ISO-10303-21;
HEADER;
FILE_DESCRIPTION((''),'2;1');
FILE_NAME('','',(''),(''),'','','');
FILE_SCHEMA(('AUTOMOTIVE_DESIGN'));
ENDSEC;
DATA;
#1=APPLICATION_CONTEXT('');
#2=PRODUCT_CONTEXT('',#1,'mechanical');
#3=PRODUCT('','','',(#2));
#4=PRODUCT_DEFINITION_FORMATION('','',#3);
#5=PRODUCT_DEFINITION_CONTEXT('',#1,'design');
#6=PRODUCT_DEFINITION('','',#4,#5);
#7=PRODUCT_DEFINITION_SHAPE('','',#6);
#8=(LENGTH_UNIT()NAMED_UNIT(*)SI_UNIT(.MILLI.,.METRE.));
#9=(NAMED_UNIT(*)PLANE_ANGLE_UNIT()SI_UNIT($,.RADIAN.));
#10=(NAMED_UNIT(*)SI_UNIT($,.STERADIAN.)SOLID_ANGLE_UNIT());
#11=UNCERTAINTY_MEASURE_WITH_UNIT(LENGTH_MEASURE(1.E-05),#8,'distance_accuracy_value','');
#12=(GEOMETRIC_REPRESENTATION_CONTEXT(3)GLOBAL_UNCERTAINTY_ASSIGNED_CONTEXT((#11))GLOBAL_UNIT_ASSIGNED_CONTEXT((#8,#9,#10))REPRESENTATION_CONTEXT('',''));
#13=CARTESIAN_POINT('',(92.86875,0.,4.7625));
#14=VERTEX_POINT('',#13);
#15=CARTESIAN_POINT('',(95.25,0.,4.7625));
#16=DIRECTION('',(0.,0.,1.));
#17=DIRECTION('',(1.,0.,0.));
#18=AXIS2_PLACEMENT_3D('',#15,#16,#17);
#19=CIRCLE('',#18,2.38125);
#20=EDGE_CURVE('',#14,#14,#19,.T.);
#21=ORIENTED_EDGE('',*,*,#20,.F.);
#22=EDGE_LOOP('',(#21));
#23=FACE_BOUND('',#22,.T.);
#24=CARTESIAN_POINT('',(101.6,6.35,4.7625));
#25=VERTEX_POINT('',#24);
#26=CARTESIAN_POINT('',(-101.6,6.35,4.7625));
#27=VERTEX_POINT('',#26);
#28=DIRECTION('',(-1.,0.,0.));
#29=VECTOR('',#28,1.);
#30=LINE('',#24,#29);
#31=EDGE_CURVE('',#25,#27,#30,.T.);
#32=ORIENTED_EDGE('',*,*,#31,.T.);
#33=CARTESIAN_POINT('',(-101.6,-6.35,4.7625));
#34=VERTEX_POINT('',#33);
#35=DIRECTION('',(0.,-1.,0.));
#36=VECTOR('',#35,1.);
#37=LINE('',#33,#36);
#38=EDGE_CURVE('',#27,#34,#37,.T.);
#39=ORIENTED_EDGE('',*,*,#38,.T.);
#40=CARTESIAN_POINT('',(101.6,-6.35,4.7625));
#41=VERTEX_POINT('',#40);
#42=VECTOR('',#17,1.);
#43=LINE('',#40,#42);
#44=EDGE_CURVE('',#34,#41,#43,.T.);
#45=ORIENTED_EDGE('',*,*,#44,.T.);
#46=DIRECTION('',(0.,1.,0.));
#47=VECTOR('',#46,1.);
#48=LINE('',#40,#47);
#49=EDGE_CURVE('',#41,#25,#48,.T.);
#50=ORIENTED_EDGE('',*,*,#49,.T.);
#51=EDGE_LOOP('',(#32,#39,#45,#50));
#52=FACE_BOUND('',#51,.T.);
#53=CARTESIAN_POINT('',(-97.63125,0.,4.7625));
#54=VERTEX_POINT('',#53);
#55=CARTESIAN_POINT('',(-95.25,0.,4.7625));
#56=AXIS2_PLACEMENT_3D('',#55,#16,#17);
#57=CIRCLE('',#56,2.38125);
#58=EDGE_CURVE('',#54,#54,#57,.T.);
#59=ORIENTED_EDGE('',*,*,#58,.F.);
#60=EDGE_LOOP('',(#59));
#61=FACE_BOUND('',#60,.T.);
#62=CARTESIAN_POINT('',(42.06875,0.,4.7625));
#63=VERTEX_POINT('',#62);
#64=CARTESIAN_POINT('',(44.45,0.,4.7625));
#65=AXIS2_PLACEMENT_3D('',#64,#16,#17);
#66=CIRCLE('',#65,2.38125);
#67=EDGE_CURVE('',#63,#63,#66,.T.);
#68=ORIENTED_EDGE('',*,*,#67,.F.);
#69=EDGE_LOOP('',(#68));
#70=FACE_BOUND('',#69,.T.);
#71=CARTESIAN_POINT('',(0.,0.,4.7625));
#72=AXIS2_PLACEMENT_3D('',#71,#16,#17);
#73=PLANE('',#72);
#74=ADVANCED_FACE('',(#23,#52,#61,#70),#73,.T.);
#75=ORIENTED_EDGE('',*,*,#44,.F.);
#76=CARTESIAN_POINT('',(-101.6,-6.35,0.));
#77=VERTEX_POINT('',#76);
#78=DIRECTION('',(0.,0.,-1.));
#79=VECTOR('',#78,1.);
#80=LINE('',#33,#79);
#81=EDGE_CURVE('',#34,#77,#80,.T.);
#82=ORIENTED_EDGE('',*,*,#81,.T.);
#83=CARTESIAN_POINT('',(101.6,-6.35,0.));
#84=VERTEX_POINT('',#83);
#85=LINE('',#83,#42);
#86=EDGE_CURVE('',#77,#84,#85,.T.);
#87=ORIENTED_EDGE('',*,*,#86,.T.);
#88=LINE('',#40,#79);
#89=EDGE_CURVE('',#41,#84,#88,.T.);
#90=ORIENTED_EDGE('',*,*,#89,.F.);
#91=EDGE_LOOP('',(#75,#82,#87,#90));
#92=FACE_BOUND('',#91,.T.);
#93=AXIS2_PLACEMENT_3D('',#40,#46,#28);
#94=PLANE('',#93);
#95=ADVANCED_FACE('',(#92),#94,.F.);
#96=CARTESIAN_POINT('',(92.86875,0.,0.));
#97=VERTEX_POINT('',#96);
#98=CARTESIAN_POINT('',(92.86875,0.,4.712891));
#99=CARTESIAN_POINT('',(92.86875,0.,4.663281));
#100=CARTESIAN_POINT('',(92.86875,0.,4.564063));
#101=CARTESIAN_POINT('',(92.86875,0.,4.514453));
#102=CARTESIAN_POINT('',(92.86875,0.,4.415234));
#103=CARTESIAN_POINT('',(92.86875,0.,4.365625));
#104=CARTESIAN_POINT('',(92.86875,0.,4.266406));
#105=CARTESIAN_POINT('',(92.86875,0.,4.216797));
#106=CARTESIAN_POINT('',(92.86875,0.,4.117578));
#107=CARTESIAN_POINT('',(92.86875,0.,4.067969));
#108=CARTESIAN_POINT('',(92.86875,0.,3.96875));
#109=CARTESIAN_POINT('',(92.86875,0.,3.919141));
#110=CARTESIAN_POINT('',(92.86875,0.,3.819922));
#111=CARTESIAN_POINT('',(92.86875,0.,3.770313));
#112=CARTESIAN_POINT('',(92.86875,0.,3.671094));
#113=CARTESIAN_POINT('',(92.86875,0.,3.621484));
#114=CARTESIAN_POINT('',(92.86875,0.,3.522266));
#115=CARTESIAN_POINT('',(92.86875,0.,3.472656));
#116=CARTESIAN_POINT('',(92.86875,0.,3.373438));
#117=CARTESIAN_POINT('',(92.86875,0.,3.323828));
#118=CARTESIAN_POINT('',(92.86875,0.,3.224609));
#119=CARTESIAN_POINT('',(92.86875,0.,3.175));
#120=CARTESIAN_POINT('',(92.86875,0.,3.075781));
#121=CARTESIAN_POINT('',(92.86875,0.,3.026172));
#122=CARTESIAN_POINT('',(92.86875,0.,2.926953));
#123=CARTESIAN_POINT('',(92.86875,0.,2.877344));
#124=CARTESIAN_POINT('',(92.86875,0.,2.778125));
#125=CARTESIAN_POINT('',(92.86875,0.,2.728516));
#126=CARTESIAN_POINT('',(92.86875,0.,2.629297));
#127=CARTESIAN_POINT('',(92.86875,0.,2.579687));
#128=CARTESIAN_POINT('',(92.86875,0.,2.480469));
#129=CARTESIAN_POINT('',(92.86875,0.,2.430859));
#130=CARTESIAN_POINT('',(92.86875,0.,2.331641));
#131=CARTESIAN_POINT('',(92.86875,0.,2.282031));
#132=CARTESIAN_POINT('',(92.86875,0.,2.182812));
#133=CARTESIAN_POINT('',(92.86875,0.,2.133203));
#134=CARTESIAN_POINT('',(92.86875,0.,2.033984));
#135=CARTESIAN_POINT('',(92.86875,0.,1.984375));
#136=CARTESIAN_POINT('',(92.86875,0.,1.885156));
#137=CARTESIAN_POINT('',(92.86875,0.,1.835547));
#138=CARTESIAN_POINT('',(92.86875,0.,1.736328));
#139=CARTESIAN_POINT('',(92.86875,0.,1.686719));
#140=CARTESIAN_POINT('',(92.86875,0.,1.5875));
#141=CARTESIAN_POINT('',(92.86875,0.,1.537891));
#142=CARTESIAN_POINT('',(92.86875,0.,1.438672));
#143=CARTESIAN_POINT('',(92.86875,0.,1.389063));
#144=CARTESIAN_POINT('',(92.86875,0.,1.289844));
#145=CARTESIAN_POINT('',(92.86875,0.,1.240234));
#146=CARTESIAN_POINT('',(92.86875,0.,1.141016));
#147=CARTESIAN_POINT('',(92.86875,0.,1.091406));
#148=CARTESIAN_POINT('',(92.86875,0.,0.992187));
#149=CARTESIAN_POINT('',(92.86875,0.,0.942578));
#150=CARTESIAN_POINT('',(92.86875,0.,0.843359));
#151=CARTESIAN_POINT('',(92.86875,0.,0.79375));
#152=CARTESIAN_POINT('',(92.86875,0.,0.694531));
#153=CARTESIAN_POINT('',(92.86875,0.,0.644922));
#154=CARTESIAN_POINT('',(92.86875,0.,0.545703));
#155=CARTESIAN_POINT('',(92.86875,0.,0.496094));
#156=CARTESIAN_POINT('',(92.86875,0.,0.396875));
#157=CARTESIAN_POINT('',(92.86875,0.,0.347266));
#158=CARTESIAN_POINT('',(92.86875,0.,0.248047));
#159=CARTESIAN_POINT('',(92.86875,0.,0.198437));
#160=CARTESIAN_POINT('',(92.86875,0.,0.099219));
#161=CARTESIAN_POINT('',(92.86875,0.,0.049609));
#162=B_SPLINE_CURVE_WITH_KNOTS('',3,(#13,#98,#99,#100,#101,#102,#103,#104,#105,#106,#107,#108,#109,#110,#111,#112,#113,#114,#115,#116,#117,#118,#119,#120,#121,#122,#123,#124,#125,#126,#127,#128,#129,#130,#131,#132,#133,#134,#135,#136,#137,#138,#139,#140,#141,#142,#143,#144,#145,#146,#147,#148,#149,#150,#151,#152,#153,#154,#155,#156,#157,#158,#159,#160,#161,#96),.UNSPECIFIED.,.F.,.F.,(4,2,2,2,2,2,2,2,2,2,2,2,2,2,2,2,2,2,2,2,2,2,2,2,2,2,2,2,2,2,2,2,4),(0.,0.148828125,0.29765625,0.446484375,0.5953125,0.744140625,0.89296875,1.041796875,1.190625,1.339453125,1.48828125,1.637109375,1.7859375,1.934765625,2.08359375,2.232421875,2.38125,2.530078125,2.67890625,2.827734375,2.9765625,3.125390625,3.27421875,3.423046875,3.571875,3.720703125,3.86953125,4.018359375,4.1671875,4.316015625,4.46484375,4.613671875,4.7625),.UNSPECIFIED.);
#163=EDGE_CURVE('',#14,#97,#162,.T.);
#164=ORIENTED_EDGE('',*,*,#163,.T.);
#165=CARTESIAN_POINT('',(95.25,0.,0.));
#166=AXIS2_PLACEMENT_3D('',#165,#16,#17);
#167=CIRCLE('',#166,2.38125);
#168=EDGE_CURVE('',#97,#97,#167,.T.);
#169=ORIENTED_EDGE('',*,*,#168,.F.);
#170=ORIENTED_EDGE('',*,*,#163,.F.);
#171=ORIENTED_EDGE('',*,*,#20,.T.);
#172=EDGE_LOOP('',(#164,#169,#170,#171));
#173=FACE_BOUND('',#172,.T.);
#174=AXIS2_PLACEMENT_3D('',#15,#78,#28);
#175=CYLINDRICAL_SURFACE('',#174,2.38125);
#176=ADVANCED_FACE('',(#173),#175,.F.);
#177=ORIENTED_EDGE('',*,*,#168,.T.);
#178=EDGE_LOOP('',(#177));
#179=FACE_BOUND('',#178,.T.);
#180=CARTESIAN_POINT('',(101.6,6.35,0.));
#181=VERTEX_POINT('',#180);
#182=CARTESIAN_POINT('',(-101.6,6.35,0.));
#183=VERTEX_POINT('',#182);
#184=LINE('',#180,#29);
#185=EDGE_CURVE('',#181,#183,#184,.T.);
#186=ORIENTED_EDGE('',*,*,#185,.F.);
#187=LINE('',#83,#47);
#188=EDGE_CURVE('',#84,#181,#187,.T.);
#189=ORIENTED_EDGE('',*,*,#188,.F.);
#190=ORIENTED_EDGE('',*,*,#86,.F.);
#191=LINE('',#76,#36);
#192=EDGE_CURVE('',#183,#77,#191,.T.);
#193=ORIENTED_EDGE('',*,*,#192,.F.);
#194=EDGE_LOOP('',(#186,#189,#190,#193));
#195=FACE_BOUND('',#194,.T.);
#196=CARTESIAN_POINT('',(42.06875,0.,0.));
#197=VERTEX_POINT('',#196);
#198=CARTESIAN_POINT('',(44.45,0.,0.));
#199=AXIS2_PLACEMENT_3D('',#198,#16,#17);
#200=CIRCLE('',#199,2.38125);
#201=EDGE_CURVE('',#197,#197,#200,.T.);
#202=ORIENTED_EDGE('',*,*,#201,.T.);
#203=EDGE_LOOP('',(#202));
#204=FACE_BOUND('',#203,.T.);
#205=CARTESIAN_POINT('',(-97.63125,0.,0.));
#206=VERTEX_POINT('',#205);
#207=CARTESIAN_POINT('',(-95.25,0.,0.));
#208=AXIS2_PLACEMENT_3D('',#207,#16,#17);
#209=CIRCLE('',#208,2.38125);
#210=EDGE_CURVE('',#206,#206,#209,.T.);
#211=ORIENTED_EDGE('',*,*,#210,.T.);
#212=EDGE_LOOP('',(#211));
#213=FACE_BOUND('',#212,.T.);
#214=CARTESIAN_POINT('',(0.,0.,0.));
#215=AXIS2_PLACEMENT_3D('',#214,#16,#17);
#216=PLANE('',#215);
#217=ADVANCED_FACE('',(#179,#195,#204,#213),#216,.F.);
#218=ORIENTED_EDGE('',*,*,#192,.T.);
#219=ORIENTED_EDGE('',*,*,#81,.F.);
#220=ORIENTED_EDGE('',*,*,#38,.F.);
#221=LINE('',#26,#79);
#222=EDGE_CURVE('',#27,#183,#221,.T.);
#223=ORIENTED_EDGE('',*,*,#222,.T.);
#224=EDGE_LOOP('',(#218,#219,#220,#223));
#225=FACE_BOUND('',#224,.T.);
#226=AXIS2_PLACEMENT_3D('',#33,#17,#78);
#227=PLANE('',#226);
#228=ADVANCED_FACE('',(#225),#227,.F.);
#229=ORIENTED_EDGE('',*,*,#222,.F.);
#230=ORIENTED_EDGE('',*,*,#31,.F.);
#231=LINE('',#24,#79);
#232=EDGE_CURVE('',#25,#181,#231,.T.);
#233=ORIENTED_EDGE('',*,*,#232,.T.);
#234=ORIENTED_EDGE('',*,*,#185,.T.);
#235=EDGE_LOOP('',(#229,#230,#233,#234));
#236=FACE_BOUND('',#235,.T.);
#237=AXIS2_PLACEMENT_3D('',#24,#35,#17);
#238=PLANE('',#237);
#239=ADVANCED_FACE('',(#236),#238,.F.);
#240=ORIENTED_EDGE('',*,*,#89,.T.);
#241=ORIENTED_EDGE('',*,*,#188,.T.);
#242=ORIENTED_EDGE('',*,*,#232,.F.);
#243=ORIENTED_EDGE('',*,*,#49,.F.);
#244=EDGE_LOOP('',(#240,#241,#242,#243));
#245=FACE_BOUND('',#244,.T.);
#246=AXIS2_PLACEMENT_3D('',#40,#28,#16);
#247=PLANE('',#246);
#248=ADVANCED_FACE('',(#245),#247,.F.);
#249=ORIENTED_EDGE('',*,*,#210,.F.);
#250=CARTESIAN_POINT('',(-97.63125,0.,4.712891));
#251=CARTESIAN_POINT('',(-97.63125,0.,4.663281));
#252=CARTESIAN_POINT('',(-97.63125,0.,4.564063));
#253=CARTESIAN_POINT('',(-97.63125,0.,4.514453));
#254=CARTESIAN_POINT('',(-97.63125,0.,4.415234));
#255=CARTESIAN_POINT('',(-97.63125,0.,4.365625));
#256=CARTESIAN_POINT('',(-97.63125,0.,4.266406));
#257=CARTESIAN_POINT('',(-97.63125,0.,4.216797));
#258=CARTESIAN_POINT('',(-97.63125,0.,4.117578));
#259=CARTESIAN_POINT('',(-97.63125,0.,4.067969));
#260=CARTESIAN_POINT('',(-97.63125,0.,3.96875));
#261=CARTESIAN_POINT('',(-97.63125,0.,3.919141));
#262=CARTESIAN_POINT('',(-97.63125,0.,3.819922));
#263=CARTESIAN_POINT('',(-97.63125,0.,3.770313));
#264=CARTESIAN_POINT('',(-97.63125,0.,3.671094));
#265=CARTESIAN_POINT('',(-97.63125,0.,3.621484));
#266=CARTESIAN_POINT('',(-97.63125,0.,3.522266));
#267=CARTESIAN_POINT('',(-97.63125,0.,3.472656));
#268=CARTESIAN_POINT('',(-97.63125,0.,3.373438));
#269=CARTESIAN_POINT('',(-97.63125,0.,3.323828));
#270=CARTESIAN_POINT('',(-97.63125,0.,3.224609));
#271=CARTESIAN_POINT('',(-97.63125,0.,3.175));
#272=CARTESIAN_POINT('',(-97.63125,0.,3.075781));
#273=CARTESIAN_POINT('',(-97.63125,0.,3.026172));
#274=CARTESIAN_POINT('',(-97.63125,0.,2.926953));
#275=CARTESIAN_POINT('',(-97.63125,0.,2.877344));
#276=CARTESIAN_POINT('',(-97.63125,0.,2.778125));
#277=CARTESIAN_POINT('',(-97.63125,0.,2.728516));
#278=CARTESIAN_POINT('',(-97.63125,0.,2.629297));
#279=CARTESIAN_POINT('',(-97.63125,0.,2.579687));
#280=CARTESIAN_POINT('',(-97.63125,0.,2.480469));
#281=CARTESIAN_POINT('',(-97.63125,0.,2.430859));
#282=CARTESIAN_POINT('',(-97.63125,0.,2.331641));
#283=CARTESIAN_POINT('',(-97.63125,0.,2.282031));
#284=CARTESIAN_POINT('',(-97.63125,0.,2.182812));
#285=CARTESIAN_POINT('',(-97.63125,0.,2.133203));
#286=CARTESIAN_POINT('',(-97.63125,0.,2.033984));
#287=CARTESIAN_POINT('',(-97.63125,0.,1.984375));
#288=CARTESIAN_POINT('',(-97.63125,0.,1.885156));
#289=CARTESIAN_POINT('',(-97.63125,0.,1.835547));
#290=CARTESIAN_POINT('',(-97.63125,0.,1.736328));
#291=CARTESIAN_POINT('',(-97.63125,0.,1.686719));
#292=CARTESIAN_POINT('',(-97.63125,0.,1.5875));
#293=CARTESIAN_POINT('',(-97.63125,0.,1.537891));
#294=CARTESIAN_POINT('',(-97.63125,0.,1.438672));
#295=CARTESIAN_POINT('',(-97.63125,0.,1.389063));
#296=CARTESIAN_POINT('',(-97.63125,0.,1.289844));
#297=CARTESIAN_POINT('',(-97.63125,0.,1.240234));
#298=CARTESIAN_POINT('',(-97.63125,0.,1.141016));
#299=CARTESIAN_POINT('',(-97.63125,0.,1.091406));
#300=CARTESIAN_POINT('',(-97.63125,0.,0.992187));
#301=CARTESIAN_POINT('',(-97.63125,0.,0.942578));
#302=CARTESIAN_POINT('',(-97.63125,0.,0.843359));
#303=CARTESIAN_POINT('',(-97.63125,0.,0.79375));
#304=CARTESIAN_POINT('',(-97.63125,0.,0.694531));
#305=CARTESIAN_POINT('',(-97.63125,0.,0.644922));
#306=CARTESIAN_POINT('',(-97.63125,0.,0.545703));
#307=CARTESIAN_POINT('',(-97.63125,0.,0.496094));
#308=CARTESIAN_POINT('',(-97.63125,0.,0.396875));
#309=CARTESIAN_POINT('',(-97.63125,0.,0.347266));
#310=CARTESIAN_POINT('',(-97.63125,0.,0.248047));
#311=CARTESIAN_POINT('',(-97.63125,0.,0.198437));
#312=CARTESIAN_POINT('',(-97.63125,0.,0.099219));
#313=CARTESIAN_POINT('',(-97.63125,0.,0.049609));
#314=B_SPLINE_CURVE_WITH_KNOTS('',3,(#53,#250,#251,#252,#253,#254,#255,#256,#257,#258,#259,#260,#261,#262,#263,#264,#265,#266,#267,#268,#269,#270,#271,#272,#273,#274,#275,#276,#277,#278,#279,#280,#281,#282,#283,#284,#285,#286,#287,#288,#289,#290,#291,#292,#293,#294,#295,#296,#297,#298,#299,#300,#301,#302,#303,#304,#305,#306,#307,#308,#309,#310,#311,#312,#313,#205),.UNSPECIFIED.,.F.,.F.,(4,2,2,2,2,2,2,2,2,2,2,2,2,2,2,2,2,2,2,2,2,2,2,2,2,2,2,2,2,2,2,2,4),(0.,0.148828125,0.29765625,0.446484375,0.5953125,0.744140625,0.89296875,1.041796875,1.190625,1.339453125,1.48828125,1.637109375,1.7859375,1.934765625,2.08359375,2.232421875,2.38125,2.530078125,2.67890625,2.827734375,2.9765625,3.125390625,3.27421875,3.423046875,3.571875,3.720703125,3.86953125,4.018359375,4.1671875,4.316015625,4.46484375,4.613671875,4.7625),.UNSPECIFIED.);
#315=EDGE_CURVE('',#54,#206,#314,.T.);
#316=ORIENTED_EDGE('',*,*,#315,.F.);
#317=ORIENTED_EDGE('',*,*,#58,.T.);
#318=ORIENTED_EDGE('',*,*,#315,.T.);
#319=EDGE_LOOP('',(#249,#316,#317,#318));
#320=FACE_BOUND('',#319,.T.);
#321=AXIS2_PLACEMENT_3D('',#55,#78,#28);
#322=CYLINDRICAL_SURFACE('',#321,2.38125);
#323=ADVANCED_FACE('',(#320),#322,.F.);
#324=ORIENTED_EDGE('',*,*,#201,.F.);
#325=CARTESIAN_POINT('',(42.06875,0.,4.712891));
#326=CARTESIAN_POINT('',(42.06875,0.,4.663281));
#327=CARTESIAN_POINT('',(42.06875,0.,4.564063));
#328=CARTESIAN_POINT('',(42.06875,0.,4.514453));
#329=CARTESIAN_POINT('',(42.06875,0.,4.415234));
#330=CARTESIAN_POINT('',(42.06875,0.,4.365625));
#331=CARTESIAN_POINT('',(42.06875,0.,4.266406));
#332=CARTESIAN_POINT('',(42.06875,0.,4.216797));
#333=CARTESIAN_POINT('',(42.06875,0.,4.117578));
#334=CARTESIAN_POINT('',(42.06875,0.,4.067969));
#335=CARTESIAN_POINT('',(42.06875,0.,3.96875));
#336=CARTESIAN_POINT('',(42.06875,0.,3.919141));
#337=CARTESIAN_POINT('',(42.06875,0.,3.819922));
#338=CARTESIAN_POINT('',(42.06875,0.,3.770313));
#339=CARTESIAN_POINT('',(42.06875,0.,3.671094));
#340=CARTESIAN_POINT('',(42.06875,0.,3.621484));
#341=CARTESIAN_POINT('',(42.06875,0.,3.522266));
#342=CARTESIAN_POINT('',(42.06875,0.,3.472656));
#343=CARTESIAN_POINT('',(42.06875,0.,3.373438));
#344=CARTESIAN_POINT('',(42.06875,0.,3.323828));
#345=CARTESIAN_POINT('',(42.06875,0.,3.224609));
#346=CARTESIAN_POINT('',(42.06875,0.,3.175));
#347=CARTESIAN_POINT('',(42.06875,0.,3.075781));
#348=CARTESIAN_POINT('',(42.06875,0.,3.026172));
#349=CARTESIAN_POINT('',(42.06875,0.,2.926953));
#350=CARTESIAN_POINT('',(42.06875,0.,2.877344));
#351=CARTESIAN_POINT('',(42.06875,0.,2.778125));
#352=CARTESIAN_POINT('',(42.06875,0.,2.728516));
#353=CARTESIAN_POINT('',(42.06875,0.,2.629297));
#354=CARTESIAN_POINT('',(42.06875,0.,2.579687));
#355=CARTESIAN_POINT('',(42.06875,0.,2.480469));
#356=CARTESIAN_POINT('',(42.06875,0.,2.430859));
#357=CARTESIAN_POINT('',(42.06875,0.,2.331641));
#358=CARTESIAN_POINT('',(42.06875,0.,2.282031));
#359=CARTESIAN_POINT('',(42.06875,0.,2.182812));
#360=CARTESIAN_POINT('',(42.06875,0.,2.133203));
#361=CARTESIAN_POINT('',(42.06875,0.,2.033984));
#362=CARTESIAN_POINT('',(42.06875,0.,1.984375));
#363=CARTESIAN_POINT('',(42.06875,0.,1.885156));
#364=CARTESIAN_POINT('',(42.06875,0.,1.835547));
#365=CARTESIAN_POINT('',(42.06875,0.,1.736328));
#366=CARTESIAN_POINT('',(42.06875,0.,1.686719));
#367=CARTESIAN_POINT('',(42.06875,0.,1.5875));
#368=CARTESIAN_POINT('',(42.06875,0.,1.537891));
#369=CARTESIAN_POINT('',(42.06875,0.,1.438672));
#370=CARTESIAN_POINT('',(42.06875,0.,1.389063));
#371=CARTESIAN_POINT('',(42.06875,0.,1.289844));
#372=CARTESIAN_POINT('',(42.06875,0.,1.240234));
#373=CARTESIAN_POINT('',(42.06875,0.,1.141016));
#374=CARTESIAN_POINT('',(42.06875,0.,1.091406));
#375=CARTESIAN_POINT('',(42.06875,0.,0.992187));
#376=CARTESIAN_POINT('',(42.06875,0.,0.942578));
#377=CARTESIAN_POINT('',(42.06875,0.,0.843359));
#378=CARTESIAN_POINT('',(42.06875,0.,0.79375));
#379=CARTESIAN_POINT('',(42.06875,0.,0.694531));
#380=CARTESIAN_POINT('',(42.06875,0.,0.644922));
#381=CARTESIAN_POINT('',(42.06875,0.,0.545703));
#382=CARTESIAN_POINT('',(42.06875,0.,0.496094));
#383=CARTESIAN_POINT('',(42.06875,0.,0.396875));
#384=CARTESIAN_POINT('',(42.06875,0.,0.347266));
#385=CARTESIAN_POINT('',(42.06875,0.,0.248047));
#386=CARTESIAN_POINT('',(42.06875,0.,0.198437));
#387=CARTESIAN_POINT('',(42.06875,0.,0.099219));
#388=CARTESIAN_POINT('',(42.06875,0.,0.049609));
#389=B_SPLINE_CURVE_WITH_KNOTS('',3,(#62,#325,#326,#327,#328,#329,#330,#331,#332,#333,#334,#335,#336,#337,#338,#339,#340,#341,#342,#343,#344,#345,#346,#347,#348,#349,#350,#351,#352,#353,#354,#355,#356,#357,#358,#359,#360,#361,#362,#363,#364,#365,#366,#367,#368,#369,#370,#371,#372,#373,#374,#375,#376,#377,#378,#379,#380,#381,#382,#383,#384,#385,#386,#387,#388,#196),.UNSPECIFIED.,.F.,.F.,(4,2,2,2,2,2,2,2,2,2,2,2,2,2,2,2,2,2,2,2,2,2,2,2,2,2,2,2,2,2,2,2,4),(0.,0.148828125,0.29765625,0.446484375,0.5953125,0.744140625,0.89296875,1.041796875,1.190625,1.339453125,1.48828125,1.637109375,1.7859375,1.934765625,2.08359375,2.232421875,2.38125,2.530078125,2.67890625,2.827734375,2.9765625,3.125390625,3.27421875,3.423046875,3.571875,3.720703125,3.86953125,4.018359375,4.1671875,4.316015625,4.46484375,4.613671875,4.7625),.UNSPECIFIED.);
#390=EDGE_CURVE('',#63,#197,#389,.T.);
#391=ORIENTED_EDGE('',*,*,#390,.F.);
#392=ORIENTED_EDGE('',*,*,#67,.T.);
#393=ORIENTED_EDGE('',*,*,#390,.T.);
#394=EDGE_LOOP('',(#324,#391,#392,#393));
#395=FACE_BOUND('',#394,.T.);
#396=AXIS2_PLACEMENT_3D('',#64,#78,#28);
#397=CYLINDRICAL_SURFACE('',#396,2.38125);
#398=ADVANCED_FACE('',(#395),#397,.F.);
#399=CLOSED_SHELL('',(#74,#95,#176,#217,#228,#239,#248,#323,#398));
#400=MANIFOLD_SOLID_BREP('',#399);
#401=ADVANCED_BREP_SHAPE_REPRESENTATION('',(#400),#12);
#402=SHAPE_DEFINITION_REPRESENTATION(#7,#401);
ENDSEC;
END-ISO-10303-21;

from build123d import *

# Parameters (mm, degrees)
SKETCH1_W           = 203.2
SKETCH1_H           = 12.7
SKETCH1_R           = 2.38125
BOSS_EXTRUDE1_DEPTH = 4.7625


with BuildPart() as part:
    # Sketch1 → Boss-Extrude1 (new body)
    with BuildSketch(Plane.XY):
        Rectangle(SKETCH1_W, SKETCH1_H)
        with Locations(Location((95.25, 0, 0), (0, 0, 180))):
            Circle(SKETCH1_R, mode=Mode.SUBTRACT)
        with Locations(Location((44.45, 0, 0), (0, 0, 180))):
            Circle(SKETCH1_R, mode=Mode.SUBTRACT)
        with Locations(Location((-95.25, 0, 0), (0, 0, 180))):
            Circle(SKETCH1_R, mode=Mode.SUBTRACT)
    extrude(amount=BOSS_EXTRUDE1_DEPTH)


solid = part.part
